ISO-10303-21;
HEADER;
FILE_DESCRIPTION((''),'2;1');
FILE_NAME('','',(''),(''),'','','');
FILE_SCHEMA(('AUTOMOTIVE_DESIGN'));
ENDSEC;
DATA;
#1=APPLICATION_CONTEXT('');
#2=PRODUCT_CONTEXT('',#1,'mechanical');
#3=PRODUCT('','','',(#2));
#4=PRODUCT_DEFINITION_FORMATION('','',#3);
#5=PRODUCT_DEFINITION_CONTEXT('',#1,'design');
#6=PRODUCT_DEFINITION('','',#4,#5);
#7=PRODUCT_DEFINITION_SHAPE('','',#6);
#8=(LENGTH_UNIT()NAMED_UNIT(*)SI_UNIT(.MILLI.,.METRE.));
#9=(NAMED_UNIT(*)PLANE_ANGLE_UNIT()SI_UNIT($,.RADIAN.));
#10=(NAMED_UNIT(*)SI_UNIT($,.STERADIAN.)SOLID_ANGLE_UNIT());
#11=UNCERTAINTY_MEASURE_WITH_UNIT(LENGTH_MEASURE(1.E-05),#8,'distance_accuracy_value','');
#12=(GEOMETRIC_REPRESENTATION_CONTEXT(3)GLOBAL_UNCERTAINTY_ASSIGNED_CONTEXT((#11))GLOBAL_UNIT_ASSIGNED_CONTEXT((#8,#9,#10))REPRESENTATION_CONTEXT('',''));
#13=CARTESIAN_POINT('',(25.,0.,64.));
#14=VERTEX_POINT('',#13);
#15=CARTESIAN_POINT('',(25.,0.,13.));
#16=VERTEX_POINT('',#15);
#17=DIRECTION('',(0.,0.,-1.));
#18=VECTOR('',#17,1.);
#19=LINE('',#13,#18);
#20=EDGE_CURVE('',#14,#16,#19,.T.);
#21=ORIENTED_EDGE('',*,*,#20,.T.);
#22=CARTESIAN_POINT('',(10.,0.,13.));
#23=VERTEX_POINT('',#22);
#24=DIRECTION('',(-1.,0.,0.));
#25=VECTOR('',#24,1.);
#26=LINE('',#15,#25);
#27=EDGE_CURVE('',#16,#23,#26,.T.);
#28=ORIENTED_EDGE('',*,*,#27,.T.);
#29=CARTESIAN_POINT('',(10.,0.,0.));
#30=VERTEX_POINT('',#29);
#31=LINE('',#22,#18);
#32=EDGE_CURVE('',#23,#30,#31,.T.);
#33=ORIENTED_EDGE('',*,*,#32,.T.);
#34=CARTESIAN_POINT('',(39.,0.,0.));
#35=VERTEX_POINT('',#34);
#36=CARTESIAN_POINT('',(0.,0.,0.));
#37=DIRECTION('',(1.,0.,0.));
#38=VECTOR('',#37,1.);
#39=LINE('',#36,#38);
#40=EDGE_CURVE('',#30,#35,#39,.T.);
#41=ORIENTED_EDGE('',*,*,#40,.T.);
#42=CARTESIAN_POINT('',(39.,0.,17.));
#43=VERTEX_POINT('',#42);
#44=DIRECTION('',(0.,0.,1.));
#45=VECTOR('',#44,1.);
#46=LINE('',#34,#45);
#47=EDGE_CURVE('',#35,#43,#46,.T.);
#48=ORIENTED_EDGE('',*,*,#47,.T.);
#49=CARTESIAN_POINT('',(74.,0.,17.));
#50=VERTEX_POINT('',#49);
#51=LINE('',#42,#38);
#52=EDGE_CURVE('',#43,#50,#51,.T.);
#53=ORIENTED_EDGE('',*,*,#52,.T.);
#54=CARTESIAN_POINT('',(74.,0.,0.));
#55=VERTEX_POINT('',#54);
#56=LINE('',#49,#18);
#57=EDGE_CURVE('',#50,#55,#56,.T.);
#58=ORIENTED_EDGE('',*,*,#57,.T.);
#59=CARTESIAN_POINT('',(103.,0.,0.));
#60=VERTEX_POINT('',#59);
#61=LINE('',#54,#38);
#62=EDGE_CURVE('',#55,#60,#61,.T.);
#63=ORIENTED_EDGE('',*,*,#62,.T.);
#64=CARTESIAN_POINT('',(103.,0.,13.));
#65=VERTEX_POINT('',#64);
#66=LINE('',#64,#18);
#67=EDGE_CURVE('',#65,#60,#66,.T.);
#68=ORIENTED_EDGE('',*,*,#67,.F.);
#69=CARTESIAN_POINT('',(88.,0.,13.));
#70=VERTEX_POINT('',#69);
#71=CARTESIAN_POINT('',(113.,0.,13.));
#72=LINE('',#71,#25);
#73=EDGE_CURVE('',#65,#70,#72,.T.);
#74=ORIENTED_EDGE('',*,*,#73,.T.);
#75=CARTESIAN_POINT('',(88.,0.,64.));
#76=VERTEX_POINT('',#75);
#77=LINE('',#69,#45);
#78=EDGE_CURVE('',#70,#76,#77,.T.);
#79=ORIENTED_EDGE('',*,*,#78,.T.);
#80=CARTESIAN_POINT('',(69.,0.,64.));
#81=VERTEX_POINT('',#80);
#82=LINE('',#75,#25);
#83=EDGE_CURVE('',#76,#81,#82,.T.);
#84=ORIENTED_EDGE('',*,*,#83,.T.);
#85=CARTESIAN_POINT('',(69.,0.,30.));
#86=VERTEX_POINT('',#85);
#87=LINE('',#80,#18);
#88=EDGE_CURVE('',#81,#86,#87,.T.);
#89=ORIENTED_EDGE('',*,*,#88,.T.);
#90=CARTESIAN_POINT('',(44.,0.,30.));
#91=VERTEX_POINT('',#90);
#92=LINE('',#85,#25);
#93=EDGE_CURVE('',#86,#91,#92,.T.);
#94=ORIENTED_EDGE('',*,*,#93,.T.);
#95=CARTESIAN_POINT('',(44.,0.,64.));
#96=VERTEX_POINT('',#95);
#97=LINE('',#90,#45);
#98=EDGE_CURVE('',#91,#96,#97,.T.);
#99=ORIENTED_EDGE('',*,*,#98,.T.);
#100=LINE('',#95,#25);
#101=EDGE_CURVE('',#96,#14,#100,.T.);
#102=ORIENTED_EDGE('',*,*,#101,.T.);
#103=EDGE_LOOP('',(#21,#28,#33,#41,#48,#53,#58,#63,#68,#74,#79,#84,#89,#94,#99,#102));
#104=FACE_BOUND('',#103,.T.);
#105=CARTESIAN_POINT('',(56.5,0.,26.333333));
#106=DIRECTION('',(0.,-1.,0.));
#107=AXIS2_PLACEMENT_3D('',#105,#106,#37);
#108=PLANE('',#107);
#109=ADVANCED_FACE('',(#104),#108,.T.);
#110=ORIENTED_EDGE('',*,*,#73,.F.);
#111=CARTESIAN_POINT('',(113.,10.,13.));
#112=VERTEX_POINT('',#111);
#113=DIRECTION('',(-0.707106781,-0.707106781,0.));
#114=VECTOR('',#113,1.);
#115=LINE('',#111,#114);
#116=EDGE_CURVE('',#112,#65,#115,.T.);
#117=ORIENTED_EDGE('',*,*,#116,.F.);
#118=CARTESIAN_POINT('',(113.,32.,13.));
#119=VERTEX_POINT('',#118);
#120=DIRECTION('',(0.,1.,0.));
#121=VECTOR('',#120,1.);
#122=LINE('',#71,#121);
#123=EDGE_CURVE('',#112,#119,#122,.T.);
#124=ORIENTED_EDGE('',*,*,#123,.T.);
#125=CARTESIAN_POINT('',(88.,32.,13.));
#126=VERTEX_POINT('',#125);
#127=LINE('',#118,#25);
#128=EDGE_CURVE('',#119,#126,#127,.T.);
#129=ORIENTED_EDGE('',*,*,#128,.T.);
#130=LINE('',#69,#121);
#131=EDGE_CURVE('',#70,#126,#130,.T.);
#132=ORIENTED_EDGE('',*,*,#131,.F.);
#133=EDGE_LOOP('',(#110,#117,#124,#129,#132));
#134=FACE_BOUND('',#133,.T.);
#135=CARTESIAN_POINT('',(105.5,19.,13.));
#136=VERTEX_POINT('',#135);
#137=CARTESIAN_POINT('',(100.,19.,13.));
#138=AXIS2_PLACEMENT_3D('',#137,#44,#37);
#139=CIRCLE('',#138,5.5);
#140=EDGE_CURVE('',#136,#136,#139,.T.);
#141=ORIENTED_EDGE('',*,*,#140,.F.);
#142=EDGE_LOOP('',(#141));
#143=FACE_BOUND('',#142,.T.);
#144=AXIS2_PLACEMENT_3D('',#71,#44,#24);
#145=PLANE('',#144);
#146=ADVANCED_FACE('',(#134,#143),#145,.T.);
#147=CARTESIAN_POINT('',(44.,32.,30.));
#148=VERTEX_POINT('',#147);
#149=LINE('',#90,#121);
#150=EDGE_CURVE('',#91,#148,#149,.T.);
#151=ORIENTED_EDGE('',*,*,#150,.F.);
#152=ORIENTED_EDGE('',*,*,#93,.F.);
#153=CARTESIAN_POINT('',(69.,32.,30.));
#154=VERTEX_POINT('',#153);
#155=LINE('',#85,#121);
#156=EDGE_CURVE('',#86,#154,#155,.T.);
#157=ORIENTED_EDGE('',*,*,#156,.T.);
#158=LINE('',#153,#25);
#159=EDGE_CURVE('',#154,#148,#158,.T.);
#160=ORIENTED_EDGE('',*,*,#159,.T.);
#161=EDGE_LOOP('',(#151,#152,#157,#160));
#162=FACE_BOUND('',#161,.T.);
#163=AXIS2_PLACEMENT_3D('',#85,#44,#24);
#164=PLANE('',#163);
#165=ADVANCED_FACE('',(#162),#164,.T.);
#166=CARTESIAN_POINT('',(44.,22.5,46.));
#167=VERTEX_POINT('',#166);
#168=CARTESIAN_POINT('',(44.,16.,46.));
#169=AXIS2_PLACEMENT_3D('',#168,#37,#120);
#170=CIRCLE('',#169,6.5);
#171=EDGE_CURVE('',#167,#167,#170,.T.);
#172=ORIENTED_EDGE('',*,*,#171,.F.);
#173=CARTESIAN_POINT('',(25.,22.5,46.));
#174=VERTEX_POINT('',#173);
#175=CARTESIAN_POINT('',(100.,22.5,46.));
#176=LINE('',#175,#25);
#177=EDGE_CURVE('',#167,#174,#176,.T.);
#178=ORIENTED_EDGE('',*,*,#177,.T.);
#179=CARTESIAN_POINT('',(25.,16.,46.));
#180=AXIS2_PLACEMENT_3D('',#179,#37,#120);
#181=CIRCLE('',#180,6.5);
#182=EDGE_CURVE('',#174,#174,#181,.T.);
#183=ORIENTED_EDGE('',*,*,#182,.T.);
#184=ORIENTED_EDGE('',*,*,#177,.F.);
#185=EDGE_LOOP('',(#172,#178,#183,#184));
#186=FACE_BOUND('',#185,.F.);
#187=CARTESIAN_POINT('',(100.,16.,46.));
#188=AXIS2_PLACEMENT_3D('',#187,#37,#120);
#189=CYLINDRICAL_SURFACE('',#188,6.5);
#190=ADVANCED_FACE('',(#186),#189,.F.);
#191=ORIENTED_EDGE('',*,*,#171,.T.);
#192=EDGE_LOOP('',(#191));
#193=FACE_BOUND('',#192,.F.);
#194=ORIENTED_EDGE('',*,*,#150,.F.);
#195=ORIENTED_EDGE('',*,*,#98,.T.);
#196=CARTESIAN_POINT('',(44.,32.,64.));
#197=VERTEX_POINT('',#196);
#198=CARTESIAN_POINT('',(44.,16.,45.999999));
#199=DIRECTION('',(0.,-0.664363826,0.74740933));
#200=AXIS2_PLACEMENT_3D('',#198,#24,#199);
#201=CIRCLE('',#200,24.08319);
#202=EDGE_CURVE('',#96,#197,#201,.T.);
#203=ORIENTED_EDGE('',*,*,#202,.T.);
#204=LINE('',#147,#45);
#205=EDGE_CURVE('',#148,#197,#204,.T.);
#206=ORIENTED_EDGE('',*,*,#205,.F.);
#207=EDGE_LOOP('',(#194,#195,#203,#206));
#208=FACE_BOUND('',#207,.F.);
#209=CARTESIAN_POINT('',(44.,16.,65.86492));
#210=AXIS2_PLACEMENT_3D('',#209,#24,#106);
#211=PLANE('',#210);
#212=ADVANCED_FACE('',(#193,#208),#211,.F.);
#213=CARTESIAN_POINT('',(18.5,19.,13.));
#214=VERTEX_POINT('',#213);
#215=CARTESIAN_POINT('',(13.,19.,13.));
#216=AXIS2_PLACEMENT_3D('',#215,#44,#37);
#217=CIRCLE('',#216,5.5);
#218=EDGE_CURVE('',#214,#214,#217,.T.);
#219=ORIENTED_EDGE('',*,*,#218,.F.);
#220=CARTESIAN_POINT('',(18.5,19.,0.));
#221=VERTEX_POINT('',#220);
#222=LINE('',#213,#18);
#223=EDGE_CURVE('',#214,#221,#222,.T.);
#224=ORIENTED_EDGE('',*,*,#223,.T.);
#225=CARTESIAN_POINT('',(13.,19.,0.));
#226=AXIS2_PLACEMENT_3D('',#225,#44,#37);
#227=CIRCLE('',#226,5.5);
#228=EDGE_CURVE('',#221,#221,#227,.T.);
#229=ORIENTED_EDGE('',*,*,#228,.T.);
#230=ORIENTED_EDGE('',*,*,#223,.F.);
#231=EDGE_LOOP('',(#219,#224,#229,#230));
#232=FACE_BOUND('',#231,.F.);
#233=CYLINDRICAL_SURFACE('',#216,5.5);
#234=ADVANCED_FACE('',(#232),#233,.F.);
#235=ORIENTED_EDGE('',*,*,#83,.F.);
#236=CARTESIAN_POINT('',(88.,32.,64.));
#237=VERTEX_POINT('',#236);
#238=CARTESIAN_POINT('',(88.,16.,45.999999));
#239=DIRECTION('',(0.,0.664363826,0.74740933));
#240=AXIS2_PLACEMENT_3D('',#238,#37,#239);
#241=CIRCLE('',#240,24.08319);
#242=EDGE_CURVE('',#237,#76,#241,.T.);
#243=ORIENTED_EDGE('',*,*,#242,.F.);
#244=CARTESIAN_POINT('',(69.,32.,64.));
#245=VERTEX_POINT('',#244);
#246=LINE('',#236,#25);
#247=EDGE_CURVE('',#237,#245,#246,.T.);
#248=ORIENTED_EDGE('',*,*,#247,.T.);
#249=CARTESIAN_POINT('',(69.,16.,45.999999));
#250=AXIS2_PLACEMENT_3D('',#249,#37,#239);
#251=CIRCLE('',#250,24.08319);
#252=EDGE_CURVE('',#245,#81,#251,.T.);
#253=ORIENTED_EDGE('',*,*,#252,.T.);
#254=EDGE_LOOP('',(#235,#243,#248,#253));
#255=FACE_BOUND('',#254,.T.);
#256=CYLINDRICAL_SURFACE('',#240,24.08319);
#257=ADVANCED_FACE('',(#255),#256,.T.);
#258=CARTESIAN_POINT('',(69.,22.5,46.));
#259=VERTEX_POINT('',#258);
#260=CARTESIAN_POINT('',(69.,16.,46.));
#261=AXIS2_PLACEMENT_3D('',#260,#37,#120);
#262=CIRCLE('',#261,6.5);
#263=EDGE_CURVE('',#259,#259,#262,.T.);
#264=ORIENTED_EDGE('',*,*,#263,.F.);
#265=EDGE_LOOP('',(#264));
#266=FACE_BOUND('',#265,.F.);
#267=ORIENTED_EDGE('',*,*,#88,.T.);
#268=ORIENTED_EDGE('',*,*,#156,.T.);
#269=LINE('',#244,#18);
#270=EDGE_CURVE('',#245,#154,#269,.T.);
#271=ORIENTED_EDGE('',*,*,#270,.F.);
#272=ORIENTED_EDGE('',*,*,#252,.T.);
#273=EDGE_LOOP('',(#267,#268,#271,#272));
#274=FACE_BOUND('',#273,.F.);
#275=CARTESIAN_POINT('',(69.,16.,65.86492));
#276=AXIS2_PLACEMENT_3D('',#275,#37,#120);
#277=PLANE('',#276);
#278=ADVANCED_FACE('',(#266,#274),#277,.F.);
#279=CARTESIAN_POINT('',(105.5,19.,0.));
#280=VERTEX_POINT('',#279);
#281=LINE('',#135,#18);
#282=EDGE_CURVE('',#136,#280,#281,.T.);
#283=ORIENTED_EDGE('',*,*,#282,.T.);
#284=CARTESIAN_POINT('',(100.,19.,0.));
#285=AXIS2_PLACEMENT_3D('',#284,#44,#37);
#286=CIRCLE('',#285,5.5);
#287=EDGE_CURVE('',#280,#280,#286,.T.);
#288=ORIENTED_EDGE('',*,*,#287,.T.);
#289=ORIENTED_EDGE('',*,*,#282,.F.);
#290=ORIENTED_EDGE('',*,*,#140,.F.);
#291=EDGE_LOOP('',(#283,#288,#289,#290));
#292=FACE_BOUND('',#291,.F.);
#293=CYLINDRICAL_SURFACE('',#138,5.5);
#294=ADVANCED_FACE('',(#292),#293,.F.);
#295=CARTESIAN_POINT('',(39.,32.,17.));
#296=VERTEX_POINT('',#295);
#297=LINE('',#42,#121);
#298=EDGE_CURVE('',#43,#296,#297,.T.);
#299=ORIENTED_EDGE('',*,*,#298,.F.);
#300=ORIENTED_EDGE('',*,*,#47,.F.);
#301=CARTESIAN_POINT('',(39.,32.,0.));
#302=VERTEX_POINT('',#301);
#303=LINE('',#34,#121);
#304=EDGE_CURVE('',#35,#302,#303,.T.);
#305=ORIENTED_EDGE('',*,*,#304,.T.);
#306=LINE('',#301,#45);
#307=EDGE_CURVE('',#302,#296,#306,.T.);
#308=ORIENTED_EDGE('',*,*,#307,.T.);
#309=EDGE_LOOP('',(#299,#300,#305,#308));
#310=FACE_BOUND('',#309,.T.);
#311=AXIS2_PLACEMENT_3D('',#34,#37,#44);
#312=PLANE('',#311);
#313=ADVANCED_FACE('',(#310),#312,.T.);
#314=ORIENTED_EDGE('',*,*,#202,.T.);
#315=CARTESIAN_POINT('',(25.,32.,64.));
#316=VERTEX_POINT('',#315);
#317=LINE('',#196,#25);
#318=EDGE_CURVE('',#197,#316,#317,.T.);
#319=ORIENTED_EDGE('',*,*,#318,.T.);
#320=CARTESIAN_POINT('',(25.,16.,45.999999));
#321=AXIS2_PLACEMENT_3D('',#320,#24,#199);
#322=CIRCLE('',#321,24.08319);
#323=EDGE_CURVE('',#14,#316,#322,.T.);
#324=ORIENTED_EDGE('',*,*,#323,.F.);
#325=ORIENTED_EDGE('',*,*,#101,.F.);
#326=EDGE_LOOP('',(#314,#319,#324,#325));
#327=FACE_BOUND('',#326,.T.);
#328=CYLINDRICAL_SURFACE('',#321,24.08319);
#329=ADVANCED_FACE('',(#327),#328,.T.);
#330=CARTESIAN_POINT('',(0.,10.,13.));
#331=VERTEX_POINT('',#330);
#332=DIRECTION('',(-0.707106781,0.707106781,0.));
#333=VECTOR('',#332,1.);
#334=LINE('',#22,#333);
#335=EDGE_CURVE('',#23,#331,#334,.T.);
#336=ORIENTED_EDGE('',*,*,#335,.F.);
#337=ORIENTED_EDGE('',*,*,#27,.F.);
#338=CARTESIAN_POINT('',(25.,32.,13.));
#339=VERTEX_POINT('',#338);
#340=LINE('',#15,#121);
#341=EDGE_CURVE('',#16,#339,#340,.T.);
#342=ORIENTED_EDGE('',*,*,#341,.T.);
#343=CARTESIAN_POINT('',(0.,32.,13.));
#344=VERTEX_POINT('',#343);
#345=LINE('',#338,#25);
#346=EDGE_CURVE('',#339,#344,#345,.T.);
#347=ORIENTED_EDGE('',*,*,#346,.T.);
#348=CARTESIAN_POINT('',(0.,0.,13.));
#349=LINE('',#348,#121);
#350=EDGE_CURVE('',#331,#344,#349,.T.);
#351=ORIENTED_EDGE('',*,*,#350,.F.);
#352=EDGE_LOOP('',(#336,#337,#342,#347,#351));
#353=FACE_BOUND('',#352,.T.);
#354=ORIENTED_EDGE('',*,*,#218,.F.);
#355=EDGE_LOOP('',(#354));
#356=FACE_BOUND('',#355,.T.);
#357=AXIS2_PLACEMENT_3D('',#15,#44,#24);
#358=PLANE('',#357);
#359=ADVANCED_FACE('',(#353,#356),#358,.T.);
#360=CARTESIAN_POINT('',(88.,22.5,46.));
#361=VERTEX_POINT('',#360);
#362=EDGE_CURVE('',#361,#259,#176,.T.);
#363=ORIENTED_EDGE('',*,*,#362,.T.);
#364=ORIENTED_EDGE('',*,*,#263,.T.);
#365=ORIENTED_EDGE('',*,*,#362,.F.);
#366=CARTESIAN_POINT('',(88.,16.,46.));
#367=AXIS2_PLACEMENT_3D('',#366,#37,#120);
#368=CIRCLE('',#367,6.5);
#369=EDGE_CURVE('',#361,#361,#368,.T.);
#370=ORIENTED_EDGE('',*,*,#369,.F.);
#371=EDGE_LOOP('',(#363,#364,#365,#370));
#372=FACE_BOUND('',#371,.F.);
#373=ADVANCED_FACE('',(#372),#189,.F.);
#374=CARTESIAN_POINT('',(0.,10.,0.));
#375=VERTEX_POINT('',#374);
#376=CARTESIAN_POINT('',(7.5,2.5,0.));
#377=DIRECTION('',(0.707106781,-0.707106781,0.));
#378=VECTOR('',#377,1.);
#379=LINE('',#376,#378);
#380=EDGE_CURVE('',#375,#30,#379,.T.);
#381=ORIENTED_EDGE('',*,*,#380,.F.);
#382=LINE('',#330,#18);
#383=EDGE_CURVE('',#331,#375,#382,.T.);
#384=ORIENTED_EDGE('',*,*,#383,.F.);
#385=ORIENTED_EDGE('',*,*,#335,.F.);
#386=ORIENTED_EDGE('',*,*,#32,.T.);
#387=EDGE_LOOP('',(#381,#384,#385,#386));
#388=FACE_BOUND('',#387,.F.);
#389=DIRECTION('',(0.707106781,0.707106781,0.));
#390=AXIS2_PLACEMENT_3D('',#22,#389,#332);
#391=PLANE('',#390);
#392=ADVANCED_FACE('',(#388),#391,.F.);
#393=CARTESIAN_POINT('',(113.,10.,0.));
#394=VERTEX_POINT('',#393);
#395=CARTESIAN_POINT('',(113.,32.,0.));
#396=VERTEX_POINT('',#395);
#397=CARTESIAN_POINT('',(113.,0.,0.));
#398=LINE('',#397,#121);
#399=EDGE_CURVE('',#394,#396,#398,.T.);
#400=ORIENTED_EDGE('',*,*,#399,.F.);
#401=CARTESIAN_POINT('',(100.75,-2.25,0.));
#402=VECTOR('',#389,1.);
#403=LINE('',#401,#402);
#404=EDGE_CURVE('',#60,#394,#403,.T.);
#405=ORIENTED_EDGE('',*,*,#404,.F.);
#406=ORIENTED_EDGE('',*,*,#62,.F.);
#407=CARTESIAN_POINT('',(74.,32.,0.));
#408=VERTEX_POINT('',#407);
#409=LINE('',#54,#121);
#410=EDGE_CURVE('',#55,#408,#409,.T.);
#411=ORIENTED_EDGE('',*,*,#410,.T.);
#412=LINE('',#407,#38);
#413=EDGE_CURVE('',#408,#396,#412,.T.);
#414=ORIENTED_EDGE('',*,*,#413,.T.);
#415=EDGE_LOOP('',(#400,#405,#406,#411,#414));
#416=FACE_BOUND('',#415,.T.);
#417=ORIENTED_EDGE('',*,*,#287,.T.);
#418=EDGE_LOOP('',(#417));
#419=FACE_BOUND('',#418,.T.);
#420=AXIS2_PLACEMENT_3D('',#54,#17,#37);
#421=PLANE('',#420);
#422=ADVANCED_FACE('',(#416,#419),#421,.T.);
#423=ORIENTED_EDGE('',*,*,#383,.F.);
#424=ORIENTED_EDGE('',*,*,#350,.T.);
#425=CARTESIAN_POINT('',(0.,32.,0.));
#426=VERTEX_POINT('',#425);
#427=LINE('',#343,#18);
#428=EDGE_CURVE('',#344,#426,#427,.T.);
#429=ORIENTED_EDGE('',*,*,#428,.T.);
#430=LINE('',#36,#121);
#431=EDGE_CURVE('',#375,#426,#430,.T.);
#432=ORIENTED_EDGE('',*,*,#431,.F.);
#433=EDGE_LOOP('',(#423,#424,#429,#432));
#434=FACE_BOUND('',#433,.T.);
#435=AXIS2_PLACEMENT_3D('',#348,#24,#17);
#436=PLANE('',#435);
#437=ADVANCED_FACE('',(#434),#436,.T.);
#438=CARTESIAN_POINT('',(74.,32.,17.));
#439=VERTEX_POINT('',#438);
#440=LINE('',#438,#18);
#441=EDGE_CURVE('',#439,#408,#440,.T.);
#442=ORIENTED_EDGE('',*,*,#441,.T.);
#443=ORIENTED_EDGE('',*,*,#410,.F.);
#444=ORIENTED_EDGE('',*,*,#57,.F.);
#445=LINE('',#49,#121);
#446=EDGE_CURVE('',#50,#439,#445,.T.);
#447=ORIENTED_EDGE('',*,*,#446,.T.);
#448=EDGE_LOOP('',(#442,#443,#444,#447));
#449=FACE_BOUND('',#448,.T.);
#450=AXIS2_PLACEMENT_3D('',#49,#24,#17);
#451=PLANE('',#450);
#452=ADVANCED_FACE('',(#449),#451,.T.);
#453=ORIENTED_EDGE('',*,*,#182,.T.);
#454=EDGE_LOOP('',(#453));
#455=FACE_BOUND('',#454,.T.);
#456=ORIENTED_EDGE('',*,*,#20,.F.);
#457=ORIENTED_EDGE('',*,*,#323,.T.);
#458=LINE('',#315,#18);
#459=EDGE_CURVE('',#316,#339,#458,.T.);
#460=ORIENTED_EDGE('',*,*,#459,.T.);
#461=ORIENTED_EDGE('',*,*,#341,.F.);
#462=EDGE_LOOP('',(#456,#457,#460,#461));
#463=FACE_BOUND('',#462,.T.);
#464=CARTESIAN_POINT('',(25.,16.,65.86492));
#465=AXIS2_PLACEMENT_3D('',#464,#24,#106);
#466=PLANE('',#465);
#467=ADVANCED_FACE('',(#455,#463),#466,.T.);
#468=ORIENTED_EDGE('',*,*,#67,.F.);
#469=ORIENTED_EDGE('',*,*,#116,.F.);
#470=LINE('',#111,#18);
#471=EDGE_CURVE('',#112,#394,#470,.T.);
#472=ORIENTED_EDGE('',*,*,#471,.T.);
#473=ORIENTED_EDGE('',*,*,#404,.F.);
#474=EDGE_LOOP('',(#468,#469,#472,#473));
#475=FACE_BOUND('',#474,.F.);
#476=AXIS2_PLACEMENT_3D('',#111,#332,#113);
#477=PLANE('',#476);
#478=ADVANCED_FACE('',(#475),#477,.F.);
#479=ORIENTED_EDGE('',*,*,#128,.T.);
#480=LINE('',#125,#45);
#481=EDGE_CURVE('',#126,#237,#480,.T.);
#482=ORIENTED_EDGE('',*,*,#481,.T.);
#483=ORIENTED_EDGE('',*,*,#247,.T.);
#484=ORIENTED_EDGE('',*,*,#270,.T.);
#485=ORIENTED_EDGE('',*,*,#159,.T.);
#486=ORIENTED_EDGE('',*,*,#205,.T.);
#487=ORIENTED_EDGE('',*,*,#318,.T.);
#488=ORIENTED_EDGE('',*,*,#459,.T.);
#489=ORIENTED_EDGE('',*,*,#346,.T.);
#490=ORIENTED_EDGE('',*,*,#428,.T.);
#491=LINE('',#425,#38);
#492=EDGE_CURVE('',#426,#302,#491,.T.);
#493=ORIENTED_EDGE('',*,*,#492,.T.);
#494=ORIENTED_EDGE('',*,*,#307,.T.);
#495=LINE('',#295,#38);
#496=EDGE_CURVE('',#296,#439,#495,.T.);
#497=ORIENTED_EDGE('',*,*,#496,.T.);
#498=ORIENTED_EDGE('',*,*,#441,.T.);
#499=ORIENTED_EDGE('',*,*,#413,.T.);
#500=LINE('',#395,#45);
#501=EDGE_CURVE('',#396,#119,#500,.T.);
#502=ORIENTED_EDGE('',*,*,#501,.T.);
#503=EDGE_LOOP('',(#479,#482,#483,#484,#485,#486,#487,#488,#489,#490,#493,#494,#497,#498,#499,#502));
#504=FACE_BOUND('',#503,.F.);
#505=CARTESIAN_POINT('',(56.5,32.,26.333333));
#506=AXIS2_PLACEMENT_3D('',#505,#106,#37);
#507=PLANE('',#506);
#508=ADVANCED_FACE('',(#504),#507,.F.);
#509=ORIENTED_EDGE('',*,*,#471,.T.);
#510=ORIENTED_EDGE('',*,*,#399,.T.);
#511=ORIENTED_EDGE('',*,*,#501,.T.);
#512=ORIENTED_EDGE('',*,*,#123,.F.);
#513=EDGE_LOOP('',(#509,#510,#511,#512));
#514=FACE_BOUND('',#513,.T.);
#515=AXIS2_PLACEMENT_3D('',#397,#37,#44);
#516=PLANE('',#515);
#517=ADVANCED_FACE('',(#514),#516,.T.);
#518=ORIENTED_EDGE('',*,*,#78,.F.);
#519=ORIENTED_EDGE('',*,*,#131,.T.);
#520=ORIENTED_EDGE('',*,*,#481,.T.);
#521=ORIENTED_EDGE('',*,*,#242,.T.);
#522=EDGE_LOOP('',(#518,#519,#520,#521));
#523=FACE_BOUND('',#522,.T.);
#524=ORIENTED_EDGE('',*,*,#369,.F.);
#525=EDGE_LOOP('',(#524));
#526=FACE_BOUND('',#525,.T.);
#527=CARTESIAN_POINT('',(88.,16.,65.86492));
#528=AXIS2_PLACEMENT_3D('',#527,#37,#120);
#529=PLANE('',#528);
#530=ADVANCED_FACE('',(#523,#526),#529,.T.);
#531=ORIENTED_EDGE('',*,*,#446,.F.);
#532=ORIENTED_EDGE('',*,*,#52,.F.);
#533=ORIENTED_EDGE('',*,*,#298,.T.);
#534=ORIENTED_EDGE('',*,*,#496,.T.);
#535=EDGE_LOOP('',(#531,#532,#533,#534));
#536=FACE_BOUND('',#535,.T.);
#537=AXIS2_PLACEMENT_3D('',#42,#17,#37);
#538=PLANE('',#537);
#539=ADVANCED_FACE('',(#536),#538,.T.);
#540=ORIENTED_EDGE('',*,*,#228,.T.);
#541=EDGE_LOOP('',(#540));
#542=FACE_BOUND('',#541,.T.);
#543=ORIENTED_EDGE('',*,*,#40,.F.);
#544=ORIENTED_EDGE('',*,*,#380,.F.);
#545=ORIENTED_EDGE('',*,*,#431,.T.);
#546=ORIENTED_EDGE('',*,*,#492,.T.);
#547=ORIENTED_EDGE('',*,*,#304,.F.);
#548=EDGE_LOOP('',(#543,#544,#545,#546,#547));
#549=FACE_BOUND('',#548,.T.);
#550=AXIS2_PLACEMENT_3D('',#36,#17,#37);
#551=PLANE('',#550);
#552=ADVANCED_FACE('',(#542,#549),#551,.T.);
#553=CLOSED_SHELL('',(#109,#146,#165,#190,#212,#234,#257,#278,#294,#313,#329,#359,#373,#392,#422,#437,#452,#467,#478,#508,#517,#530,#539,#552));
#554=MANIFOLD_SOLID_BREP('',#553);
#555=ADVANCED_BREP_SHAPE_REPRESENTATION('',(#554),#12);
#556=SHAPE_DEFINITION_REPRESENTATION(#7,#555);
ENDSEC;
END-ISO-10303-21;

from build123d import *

# Parameters (mm, degrees)
F1_DEPTH  = 32
F3_DEPTH  = 13.001
F5_DEPTH  = 13.001
F6_R      = 5.5
F7_DEPTH  = 13.001
F9_DEPTH  = 19
F11_DEPTH = 19
F13_R     = 6.5
F14_DEPTH = 100.001


with BuildPart() as f1:
    # F0 (on Front) → F1 (new body)
    with BuildSketch(Plane.XZ):
        Polygon((0, 13), (0, 0), (39, 0), (39, 17), (74, 17), (74, 0), (113, 0), (113, 13), (88, 13), (88, 64), (69, 64), (69, 30), (44, 30), (44, 64), (25, 64), (25, 13), align=None)
    extrude(amount=-F1_DEPTH)

    # F2 (on face) → F3 (cut, through all)
    with BuildSketch(Plane.XY.offset(13)):
        Polygon((113, 10), (103, 0), (113, 0), align=None)
    extrude(amount=-F3_DEPTH, mode=Mode.SUBTRACT)

    # F4 (on face) → F5 (cut, through all)
    with BuildSketch(Plane.XY.offset(13)):
        Polygon((0, 10), (0, 0), (10, 0), align=None)
    extrude(amount=-F5_DEPTH, mode=Mode.SUBTRACT)

    # F6 (on face) → F7 (cut, through all)
    with BuildSketch(Plane.XY.offset(13)):
        with Locations((13, 19)):
            Circle(F6_R)
        with Locations((100, 19)):
            Circle(F6_R)
    extrude(amount=-F7_DEPTH, mode=Mode.SUBTRACT)

    # F8 (on face) → F9 (join)
    with BuildSketch(Plane.YZ.offset(88)):
        with BuildLine():
            Line((0, 64), (32, 64))
            ThreePointArc((32, 64), (16, 70.083189), (0, 64))
        make_face()
    extrude(amount=-F9_DEPTH)

    # F10 (on face) → F11 (join)
    with BuildSketch(Plane(origin=(25, 0, 0), x_dir=(0, -1, 0), z_dir=(-1, 0, 0))):
        with BuildLine():
            Line((-32, 64), (0, 64))
            ThreePointArc((0, 64), (-16, 70.083189), (-32, 64))
        make_face()
    extrude(amount=-F11_DEPTH)

    # F13 (on offset) → F14 (cut, through all)
    with BuildSketch(Plane.YZ.offset(100)):
        with Locations((16, 46)):
            Circle(F13_R)
    extrude(amount=-F14_DEPTH, mode=Mode.SUBTRACT)


solid = f1.part
